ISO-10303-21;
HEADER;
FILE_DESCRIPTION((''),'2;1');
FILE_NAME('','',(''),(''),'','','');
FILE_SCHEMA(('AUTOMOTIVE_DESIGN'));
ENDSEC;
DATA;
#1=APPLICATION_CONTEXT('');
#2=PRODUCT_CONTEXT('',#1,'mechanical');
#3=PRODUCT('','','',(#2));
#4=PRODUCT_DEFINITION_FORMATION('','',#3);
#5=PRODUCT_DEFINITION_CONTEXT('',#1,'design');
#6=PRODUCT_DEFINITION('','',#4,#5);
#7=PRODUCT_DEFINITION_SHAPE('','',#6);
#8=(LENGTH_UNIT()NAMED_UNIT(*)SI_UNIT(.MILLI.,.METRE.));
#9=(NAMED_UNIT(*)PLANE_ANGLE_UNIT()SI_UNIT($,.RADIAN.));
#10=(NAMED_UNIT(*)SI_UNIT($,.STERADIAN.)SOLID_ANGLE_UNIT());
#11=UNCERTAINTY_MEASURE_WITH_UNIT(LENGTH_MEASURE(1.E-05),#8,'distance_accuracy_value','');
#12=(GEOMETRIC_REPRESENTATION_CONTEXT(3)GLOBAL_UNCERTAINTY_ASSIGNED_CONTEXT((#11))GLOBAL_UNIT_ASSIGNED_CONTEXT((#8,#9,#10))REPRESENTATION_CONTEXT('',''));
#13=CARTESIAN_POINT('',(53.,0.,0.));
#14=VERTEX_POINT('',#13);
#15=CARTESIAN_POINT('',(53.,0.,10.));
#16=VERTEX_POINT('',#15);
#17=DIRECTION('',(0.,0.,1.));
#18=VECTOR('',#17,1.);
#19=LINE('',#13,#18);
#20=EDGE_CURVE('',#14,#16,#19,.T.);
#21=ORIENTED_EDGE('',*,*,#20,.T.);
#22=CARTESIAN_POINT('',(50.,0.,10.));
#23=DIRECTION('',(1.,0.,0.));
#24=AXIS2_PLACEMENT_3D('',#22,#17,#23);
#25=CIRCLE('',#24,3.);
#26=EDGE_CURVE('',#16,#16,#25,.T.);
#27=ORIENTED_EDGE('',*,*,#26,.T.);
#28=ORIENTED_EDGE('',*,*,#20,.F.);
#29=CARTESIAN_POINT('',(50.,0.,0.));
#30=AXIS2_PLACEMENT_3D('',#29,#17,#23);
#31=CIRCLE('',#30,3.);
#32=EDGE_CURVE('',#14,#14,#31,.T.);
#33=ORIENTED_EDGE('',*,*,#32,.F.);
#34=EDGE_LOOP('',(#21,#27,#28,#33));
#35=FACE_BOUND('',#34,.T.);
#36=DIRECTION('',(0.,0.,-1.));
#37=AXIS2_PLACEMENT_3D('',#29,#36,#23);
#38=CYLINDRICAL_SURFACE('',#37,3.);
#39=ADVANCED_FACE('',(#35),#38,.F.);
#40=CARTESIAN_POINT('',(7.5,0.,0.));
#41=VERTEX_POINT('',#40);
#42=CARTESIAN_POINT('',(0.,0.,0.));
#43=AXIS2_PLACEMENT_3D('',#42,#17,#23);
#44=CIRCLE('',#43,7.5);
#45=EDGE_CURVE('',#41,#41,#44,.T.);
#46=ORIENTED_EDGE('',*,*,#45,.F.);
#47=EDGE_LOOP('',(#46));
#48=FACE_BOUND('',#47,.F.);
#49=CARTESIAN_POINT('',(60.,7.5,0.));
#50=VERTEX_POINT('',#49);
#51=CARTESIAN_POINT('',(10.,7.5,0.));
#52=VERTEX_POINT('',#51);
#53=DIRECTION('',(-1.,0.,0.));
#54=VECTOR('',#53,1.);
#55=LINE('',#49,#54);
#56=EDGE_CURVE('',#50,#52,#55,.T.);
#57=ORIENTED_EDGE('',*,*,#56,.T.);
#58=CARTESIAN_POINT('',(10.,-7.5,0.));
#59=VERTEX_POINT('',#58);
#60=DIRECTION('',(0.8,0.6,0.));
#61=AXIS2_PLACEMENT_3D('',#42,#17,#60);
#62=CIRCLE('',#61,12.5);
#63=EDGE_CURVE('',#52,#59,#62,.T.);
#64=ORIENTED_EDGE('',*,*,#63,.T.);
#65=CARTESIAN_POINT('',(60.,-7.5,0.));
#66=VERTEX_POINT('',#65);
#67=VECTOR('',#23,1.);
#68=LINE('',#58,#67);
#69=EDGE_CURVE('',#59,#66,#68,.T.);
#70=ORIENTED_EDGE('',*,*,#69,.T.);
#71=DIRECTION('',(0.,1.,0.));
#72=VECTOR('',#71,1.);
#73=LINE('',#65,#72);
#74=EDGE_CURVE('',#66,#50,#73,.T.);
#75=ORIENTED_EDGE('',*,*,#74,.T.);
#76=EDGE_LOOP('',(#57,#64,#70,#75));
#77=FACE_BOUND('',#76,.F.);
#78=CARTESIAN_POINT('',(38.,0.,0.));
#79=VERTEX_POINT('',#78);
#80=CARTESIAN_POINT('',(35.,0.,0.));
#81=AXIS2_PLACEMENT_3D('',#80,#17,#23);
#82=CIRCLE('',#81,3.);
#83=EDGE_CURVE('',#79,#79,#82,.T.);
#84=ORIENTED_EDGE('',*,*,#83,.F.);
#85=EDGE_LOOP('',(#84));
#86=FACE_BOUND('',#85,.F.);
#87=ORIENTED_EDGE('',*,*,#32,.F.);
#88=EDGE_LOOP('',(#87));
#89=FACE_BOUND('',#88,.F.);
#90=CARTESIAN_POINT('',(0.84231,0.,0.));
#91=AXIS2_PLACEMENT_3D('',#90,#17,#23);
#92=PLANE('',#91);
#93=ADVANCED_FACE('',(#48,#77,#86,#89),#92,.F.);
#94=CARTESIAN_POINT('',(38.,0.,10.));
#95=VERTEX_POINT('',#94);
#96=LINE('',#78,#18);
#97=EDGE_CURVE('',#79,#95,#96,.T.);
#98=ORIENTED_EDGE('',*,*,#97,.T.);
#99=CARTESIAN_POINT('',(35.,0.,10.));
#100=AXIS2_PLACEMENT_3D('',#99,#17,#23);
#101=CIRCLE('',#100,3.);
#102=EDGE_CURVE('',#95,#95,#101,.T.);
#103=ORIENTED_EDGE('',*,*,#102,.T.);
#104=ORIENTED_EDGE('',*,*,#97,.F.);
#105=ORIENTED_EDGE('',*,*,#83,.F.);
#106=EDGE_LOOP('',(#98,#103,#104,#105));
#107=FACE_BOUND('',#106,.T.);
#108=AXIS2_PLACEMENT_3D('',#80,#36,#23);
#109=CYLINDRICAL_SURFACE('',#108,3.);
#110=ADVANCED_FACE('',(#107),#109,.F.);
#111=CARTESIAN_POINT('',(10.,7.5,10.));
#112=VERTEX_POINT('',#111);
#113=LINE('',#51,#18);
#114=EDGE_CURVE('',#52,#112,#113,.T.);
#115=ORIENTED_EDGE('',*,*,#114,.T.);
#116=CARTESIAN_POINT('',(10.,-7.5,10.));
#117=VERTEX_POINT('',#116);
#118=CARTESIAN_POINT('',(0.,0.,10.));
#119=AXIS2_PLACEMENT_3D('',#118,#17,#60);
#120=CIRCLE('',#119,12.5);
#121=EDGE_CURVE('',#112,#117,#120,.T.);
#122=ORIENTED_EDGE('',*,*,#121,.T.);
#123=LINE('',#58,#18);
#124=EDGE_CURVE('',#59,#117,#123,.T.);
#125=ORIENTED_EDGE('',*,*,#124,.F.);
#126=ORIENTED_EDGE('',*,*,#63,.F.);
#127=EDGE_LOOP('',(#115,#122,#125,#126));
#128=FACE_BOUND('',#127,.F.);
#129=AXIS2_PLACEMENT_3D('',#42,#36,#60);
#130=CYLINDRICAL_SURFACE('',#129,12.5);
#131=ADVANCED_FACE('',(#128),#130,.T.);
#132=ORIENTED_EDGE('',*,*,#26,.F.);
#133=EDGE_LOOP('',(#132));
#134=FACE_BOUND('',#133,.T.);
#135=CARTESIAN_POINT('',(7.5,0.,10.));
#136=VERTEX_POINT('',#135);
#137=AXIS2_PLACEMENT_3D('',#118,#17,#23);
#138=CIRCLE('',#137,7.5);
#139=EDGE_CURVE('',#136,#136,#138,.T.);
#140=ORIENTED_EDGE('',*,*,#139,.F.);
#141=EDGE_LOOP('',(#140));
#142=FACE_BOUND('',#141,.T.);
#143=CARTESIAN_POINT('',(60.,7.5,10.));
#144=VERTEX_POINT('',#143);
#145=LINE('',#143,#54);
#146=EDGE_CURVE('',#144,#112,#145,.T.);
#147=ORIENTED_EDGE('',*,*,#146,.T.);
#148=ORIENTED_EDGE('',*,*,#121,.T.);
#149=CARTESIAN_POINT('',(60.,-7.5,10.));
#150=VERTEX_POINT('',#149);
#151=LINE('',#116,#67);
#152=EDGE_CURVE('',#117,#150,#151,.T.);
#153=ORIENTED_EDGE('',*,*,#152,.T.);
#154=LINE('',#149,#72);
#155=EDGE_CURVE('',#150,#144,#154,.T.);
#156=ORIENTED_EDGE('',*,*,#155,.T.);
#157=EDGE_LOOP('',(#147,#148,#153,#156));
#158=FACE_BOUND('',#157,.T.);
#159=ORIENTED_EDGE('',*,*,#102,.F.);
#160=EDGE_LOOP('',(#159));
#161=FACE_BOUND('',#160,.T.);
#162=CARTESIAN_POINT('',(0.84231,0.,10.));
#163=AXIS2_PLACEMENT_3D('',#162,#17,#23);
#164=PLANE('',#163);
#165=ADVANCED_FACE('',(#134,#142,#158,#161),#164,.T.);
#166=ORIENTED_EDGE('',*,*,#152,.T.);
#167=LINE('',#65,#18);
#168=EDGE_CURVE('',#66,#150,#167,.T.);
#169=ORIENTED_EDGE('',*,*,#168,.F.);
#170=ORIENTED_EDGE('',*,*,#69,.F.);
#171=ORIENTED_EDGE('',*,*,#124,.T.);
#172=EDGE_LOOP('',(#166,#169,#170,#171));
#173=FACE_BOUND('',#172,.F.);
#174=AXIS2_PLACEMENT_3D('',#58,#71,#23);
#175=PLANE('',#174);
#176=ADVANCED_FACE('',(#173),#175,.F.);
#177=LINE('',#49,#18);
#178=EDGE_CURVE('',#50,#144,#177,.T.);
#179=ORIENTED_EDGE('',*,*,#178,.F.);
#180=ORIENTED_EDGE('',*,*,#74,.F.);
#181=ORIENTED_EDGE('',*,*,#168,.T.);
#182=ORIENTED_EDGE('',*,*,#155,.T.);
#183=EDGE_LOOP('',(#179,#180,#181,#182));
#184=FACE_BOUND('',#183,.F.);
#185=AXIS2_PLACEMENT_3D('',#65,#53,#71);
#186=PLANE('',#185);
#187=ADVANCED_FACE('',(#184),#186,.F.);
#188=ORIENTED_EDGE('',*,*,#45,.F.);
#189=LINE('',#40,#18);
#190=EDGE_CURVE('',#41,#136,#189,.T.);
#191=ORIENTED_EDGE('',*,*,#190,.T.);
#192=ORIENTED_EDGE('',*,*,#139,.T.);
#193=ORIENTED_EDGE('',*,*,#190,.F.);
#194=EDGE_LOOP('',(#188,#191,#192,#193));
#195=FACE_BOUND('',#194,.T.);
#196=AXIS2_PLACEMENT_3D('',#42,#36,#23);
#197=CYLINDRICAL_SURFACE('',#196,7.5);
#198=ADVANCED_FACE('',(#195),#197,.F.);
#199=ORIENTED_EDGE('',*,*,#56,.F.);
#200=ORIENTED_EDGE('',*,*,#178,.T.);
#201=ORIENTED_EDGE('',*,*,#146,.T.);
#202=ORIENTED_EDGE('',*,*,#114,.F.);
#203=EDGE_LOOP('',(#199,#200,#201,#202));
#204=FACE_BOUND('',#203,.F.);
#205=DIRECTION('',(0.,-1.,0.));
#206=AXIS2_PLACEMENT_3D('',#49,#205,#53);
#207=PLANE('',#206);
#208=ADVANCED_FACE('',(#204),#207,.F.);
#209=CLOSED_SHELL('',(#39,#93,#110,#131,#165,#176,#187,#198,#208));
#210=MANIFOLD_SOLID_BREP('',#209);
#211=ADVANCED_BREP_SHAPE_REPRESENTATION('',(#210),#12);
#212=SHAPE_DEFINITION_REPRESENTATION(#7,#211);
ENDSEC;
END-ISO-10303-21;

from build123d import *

# Parameters (mm, degrees)
F0_R     = 7.5
F0_R_2   = 3
F1_DEPTH = 10


with BuildPart() as f1:
    # F0 (on Top) → F1 (new body)
    with BuildSketch(Plane.XY):
        with BuildLine():
            ThreePointArc((10, -7.5), (11.858541, -3.952847), (12.5, 0))
            ThreePointArc((12.5, 0), (11.858541, 3.952847), (10, 7.5))
            ThreePointArc((10, 7.5), (-12.5, 0), (10, -7.5))
        make_face()
        Circle(F0_R, mode=Mode.SUBTRACT)
        with BuildLine():
            ThreePointArc((10, 7.5), (11.858541, 3.952847), (12.5, 0))
            ThreePointArc((12.5, 0), (11.858541, -3.952847), (10, -7.5))
            Line((10, -7.5), (60, -7.5))
            Line((60, -7.5), (60, 7.5))
            Line((60, 7.5), (10, 7.5))
        make_face()
        with Locations((35, 0)):
            Circle(F0_R_2, mode=Mode.SUBTRACT)
        with Locations((50, 0)):
            Circle(F0_R_2, mode=Mode.SUBTRACT)
    extrude(amount=F1_DEPTH)


solid = f1.part
